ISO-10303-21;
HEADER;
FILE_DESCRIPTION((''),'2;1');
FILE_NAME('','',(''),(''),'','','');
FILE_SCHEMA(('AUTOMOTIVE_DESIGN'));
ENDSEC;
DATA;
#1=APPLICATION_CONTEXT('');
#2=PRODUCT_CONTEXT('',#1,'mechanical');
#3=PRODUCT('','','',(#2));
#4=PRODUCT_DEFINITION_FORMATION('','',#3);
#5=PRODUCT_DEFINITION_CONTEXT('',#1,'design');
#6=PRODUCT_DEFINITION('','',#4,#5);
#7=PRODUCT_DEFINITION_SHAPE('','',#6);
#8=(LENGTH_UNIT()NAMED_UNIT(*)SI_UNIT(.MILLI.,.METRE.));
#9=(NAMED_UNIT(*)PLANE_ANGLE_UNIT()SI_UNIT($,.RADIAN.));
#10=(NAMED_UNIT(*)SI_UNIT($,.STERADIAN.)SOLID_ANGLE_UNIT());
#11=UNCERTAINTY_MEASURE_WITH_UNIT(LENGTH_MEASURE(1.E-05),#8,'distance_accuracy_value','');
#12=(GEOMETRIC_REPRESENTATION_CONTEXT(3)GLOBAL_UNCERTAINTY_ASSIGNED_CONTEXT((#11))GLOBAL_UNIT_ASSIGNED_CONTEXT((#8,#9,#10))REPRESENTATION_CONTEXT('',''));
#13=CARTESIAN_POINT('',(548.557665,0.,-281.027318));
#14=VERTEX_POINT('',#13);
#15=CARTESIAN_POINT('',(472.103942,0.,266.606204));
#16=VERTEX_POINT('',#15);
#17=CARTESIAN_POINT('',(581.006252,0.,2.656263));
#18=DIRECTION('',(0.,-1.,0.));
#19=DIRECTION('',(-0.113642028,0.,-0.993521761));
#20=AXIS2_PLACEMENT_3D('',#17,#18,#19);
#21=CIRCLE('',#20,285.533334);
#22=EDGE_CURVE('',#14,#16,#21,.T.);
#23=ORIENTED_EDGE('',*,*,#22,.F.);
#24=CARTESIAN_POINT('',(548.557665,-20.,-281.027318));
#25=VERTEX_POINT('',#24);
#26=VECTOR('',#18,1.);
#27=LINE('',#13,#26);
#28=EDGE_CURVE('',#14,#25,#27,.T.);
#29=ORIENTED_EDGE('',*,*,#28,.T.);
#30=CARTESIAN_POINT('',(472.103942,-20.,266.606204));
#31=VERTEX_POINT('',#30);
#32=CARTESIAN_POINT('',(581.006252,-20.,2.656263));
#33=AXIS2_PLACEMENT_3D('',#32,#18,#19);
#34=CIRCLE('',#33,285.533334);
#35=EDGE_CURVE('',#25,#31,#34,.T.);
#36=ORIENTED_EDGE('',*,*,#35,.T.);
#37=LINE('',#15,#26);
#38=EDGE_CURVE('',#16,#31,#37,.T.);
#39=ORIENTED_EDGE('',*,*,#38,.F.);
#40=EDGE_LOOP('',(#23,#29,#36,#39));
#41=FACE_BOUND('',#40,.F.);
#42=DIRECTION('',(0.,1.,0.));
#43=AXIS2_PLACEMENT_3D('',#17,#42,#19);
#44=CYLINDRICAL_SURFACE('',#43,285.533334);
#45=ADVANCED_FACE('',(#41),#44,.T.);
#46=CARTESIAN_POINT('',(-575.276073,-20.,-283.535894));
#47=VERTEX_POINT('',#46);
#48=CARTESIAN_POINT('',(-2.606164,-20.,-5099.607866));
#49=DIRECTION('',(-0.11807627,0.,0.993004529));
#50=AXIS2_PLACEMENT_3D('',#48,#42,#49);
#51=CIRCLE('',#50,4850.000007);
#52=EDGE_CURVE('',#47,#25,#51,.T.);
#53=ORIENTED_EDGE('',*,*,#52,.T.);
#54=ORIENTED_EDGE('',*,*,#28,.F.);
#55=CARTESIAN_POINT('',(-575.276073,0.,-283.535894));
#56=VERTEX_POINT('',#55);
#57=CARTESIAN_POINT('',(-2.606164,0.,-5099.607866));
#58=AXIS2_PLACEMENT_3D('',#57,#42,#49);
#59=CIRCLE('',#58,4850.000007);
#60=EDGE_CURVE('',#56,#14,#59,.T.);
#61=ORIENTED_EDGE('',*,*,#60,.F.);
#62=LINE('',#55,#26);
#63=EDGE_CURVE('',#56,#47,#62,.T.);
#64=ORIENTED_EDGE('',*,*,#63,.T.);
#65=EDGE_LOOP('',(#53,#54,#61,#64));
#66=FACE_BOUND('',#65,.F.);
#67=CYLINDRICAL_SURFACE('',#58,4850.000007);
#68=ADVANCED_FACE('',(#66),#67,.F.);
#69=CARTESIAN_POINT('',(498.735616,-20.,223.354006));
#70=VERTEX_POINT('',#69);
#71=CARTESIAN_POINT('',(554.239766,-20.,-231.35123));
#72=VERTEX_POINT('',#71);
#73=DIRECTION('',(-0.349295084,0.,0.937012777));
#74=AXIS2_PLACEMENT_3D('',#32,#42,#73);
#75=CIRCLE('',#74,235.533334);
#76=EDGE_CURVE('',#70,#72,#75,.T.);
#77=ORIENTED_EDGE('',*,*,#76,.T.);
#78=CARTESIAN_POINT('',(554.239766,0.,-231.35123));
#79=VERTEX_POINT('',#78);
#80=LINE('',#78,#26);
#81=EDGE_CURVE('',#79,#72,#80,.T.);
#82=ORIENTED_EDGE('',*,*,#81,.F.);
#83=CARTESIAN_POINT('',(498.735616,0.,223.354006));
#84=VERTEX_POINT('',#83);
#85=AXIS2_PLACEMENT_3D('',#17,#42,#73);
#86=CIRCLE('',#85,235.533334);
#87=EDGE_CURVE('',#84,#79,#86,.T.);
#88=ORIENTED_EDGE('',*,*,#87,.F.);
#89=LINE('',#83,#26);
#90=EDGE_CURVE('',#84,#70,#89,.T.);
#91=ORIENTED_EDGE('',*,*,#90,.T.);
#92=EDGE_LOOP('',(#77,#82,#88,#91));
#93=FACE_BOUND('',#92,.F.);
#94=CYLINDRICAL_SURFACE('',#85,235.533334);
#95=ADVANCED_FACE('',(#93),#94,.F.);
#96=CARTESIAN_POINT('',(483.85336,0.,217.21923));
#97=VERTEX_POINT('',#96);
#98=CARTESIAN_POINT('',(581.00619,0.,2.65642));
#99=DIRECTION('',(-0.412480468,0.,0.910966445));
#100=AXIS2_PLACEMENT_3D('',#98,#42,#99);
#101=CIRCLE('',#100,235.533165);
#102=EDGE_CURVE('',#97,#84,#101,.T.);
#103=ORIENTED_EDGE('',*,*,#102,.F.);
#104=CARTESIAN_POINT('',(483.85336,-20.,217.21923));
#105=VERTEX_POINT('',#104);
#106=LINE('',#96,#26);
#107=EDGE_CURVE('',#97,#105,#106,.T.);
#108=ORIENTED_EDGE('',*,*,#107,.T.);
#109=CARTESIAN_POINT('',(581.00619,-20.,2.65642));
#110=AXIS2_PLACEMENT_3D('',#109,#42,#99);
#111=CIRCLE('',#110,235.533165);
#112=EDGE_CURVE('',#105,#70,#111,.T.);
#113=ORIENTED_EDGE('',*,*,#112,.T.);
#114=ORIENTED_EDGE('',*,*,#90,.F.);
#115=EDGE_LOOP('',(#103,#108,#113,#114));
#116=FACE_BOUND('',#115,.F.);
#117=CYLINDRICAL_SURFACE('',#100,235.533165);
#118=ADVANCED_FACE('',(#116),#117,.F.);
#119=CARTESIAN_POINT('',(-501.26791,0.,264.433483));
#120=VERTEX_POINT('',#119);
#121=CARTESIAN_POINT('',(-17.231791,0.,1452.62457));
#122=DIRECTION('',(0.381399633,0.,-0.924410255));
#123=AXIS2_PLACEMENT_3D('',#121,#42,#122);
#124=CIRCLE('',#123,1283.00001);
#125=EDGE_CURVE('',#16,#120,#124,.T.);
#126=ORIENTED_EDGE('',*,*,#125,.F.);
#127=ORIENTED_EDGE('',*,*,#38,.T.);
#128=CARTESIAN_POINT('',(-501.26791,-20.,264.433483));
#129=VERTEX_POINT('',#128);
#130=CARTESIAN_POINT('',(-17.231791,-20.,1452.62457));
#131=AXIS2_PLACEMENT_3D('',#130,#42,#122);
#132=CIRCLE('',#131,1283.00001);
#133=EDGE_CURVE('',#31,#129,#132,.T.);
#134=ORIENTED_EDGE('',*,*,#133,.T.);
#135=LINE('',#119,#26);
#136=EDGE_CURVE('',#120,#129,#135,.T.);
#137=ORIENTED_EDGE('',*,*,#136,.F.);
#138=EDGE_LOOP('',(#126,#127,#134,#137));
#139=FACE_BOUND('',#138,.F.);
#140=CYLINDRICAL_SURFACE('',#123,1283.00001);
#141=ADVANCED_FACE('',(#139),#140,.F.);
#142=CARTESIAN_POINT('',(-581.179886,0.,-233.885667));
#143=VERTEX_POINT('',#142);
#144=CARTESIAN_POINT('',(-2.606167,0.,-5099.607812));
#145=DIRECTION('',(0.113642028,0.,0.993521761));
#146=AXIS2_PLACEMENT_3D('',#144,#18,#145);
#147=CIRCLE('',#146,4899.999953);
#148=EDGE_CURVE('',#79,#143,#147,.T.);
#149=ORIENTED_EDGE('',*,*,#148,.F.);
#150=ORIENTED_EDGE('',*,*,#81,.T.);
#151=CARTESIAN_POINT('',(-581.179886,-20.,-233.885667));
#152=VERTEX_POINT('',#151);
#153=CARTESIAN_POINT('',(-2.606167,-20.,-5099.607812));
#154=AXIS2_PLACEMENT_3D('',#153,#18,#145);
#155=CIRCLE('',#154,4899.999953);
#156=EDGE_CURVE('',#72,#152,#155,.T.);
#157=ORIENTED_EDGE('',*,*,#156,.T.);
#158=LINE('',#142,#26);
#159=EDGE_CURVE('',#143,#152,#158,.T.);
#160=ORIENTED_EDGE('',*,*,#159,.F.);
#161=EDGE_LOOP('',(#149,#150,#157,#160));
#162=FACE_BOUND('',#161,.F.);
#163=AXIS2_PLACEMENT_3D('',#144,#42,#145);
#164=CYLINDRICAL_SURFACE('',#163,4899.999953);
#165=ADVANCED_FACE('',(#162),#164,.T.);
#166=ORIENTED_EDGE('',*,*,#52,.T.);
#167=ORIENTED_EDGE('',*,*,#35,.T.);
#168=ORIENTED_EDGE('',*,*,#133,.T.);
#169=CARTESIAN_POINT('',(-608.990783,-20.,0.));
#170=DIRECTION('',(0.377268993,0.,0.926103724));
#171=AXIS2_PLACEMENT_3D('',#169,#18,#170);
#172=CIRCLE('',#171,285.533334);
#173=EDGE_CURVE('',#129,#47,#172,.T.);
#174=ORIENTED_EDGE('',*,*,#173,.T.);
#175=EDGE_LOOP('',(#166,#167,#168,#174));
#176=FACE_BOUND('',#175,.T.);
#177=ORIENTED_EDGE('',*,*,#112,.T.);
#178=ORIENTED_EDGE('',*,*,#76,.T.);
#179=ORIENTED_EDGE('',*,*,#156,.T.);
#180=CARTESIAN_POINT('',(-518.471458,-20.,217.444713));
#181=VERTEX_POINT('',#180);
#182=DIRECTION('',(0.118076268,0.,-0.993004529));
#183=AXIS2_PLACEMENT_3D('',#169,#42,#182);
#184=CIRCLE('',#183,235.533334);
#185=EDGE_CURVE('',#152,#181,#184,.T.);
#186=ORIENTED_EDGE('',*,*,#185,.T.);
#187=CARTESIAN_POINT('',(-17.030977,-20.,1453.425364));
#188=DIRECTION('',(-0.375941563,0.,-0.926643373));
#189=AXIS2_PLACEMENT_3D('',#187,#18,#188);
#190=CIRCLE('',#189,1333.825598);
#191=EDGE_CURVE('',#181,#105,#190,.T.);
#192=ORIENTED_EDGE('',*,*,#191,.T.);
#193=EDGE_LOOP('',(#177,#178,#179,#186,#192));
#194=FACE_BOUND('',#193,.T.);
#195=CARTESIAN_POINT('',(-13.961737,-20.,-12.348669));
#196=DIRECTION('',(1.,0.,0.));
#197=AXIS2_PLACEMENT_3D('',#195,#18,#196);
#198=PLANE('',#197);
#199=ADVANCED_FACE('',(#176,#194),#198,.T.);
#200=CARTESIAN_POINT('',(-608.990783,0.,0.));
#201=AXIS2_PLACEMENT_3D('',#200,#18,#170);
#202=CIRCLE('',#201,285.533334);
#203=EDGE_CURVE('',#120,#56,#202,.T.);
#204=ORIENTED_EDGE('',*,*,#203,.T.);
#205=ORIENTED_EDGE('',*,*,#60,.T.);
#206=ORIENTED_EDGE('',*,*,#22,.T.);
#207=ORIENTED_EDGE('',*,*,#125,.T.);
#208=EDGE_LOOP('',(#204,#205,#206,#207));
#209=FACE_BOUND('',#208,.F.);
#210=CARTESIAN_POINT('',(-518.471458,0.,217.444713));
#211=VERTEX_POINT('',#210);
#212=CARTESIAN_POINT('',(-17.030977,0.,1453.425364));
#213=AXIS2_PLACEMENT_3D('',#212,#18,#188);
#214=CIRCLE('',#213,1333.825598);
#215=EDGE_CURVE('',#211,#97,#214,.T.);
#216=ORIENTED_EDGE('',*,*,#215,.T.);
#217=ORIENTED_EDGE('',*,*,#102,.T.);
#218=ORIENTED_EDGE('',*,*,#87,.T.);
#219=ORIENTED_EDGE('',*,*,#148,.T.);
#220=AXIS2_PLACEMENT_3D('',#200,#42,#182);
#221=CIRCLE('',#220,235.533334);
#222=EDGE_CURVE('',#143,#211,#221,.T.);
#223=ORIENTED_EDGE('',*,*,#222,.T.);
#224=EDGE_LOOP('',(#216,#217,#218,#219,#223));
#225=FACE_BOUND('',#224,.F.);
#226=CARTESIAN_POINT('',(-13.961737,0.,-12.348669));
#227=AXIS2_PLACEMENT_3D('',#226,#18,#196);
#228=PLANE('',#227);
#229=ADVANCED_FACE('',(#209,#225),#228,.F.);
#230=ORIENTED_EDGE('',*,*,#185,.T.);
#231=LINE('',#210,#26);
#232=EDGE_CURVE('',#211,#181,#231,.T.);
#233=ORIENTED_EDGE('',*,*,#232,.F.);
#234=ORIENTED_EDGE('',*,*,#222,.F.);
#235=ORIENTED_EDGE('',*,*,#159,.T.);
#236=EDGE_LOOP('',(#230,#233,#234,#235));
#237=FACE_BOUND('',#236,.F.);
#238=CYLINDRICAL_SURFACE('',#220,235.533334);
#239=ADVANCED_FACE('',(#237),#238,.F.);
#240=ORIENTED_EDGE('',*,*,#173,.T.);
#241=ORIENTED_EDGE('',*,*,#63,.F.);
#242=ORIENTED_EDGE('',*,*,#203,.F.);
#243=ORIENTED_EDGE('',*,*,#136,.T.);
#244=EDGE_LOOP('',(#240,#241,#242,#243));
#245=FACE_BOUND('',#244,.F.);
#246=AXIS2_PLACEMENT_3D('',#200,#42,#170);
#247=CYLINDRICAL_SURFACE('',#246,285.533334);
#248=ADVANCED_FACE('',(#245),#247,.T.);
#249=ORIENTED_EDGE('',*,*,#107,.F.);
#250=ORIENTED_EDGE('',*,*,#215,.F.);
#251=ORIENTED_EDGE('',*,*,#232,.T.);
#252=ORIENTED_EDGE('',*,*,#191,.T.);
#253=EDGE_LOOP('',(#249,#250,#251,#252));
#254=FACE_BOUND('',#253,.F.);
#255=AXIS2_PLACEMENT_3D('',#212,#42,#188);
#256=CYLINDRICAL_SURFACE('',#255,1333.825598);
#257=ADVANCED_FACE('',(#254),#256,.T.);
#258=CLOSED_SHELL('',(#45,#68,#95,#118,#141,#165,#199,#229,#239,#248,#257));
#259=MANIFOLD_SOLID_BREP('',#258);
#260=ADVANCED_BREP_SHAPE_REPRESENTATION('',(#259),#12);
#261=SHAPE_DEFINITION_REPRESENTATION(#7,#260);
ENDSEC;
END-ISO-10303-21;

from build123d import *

# Parameters (mm, degrees)
F1_DEPTH = 20


with BuildPart() as f1:
    # F0 (on Front) → F1 (new body)
    with BuildSketch(Plane.XZ):
        with BuildLine():
            ThreePointArc((-575.276073, -283.535894), (-13.43211, -249.619942), (548.557665, -281.027318))
            ThreePointArc((548.557665, -281.027318), (863.797054, 42.135967), (472.103942, 266.606204))
            ThreePointArc((472.103942, 266.606204), (-14.367937, 169.627757), (-501.26791, 264.433483))
            ThreePointArc((-501.26791, 264.433483), (-891.955016, 38.216849), (-575.276073, -283.535894))
        make_face()
        with BuildLine():
            ThreePointArc((-581.179886, -233.885667), (-842.283064, 32.413932), (-518.471458, 217.444713))
            ThreePointArc((-518.471458, 217.444713), (-17.331035, 119.5998), (483.85336, 217.21923))
            ThreePointArc((483.85336, 217.21923), (491.242064, 220.413793), (498.735616, 223.354006))
            ThreePointArc((498.735616, 223.354006), (814.804212, 31.195097), (554.239766, -231.35123))
            ThreePointArc((554.239766, -231.35123), (-13.543718, -199.620066), (-581.179886, -233.885667))
        make_face(mode=Mode.SUBTRACT)
    extrude(amount=F1_DEPTH)


solid = f1.part
